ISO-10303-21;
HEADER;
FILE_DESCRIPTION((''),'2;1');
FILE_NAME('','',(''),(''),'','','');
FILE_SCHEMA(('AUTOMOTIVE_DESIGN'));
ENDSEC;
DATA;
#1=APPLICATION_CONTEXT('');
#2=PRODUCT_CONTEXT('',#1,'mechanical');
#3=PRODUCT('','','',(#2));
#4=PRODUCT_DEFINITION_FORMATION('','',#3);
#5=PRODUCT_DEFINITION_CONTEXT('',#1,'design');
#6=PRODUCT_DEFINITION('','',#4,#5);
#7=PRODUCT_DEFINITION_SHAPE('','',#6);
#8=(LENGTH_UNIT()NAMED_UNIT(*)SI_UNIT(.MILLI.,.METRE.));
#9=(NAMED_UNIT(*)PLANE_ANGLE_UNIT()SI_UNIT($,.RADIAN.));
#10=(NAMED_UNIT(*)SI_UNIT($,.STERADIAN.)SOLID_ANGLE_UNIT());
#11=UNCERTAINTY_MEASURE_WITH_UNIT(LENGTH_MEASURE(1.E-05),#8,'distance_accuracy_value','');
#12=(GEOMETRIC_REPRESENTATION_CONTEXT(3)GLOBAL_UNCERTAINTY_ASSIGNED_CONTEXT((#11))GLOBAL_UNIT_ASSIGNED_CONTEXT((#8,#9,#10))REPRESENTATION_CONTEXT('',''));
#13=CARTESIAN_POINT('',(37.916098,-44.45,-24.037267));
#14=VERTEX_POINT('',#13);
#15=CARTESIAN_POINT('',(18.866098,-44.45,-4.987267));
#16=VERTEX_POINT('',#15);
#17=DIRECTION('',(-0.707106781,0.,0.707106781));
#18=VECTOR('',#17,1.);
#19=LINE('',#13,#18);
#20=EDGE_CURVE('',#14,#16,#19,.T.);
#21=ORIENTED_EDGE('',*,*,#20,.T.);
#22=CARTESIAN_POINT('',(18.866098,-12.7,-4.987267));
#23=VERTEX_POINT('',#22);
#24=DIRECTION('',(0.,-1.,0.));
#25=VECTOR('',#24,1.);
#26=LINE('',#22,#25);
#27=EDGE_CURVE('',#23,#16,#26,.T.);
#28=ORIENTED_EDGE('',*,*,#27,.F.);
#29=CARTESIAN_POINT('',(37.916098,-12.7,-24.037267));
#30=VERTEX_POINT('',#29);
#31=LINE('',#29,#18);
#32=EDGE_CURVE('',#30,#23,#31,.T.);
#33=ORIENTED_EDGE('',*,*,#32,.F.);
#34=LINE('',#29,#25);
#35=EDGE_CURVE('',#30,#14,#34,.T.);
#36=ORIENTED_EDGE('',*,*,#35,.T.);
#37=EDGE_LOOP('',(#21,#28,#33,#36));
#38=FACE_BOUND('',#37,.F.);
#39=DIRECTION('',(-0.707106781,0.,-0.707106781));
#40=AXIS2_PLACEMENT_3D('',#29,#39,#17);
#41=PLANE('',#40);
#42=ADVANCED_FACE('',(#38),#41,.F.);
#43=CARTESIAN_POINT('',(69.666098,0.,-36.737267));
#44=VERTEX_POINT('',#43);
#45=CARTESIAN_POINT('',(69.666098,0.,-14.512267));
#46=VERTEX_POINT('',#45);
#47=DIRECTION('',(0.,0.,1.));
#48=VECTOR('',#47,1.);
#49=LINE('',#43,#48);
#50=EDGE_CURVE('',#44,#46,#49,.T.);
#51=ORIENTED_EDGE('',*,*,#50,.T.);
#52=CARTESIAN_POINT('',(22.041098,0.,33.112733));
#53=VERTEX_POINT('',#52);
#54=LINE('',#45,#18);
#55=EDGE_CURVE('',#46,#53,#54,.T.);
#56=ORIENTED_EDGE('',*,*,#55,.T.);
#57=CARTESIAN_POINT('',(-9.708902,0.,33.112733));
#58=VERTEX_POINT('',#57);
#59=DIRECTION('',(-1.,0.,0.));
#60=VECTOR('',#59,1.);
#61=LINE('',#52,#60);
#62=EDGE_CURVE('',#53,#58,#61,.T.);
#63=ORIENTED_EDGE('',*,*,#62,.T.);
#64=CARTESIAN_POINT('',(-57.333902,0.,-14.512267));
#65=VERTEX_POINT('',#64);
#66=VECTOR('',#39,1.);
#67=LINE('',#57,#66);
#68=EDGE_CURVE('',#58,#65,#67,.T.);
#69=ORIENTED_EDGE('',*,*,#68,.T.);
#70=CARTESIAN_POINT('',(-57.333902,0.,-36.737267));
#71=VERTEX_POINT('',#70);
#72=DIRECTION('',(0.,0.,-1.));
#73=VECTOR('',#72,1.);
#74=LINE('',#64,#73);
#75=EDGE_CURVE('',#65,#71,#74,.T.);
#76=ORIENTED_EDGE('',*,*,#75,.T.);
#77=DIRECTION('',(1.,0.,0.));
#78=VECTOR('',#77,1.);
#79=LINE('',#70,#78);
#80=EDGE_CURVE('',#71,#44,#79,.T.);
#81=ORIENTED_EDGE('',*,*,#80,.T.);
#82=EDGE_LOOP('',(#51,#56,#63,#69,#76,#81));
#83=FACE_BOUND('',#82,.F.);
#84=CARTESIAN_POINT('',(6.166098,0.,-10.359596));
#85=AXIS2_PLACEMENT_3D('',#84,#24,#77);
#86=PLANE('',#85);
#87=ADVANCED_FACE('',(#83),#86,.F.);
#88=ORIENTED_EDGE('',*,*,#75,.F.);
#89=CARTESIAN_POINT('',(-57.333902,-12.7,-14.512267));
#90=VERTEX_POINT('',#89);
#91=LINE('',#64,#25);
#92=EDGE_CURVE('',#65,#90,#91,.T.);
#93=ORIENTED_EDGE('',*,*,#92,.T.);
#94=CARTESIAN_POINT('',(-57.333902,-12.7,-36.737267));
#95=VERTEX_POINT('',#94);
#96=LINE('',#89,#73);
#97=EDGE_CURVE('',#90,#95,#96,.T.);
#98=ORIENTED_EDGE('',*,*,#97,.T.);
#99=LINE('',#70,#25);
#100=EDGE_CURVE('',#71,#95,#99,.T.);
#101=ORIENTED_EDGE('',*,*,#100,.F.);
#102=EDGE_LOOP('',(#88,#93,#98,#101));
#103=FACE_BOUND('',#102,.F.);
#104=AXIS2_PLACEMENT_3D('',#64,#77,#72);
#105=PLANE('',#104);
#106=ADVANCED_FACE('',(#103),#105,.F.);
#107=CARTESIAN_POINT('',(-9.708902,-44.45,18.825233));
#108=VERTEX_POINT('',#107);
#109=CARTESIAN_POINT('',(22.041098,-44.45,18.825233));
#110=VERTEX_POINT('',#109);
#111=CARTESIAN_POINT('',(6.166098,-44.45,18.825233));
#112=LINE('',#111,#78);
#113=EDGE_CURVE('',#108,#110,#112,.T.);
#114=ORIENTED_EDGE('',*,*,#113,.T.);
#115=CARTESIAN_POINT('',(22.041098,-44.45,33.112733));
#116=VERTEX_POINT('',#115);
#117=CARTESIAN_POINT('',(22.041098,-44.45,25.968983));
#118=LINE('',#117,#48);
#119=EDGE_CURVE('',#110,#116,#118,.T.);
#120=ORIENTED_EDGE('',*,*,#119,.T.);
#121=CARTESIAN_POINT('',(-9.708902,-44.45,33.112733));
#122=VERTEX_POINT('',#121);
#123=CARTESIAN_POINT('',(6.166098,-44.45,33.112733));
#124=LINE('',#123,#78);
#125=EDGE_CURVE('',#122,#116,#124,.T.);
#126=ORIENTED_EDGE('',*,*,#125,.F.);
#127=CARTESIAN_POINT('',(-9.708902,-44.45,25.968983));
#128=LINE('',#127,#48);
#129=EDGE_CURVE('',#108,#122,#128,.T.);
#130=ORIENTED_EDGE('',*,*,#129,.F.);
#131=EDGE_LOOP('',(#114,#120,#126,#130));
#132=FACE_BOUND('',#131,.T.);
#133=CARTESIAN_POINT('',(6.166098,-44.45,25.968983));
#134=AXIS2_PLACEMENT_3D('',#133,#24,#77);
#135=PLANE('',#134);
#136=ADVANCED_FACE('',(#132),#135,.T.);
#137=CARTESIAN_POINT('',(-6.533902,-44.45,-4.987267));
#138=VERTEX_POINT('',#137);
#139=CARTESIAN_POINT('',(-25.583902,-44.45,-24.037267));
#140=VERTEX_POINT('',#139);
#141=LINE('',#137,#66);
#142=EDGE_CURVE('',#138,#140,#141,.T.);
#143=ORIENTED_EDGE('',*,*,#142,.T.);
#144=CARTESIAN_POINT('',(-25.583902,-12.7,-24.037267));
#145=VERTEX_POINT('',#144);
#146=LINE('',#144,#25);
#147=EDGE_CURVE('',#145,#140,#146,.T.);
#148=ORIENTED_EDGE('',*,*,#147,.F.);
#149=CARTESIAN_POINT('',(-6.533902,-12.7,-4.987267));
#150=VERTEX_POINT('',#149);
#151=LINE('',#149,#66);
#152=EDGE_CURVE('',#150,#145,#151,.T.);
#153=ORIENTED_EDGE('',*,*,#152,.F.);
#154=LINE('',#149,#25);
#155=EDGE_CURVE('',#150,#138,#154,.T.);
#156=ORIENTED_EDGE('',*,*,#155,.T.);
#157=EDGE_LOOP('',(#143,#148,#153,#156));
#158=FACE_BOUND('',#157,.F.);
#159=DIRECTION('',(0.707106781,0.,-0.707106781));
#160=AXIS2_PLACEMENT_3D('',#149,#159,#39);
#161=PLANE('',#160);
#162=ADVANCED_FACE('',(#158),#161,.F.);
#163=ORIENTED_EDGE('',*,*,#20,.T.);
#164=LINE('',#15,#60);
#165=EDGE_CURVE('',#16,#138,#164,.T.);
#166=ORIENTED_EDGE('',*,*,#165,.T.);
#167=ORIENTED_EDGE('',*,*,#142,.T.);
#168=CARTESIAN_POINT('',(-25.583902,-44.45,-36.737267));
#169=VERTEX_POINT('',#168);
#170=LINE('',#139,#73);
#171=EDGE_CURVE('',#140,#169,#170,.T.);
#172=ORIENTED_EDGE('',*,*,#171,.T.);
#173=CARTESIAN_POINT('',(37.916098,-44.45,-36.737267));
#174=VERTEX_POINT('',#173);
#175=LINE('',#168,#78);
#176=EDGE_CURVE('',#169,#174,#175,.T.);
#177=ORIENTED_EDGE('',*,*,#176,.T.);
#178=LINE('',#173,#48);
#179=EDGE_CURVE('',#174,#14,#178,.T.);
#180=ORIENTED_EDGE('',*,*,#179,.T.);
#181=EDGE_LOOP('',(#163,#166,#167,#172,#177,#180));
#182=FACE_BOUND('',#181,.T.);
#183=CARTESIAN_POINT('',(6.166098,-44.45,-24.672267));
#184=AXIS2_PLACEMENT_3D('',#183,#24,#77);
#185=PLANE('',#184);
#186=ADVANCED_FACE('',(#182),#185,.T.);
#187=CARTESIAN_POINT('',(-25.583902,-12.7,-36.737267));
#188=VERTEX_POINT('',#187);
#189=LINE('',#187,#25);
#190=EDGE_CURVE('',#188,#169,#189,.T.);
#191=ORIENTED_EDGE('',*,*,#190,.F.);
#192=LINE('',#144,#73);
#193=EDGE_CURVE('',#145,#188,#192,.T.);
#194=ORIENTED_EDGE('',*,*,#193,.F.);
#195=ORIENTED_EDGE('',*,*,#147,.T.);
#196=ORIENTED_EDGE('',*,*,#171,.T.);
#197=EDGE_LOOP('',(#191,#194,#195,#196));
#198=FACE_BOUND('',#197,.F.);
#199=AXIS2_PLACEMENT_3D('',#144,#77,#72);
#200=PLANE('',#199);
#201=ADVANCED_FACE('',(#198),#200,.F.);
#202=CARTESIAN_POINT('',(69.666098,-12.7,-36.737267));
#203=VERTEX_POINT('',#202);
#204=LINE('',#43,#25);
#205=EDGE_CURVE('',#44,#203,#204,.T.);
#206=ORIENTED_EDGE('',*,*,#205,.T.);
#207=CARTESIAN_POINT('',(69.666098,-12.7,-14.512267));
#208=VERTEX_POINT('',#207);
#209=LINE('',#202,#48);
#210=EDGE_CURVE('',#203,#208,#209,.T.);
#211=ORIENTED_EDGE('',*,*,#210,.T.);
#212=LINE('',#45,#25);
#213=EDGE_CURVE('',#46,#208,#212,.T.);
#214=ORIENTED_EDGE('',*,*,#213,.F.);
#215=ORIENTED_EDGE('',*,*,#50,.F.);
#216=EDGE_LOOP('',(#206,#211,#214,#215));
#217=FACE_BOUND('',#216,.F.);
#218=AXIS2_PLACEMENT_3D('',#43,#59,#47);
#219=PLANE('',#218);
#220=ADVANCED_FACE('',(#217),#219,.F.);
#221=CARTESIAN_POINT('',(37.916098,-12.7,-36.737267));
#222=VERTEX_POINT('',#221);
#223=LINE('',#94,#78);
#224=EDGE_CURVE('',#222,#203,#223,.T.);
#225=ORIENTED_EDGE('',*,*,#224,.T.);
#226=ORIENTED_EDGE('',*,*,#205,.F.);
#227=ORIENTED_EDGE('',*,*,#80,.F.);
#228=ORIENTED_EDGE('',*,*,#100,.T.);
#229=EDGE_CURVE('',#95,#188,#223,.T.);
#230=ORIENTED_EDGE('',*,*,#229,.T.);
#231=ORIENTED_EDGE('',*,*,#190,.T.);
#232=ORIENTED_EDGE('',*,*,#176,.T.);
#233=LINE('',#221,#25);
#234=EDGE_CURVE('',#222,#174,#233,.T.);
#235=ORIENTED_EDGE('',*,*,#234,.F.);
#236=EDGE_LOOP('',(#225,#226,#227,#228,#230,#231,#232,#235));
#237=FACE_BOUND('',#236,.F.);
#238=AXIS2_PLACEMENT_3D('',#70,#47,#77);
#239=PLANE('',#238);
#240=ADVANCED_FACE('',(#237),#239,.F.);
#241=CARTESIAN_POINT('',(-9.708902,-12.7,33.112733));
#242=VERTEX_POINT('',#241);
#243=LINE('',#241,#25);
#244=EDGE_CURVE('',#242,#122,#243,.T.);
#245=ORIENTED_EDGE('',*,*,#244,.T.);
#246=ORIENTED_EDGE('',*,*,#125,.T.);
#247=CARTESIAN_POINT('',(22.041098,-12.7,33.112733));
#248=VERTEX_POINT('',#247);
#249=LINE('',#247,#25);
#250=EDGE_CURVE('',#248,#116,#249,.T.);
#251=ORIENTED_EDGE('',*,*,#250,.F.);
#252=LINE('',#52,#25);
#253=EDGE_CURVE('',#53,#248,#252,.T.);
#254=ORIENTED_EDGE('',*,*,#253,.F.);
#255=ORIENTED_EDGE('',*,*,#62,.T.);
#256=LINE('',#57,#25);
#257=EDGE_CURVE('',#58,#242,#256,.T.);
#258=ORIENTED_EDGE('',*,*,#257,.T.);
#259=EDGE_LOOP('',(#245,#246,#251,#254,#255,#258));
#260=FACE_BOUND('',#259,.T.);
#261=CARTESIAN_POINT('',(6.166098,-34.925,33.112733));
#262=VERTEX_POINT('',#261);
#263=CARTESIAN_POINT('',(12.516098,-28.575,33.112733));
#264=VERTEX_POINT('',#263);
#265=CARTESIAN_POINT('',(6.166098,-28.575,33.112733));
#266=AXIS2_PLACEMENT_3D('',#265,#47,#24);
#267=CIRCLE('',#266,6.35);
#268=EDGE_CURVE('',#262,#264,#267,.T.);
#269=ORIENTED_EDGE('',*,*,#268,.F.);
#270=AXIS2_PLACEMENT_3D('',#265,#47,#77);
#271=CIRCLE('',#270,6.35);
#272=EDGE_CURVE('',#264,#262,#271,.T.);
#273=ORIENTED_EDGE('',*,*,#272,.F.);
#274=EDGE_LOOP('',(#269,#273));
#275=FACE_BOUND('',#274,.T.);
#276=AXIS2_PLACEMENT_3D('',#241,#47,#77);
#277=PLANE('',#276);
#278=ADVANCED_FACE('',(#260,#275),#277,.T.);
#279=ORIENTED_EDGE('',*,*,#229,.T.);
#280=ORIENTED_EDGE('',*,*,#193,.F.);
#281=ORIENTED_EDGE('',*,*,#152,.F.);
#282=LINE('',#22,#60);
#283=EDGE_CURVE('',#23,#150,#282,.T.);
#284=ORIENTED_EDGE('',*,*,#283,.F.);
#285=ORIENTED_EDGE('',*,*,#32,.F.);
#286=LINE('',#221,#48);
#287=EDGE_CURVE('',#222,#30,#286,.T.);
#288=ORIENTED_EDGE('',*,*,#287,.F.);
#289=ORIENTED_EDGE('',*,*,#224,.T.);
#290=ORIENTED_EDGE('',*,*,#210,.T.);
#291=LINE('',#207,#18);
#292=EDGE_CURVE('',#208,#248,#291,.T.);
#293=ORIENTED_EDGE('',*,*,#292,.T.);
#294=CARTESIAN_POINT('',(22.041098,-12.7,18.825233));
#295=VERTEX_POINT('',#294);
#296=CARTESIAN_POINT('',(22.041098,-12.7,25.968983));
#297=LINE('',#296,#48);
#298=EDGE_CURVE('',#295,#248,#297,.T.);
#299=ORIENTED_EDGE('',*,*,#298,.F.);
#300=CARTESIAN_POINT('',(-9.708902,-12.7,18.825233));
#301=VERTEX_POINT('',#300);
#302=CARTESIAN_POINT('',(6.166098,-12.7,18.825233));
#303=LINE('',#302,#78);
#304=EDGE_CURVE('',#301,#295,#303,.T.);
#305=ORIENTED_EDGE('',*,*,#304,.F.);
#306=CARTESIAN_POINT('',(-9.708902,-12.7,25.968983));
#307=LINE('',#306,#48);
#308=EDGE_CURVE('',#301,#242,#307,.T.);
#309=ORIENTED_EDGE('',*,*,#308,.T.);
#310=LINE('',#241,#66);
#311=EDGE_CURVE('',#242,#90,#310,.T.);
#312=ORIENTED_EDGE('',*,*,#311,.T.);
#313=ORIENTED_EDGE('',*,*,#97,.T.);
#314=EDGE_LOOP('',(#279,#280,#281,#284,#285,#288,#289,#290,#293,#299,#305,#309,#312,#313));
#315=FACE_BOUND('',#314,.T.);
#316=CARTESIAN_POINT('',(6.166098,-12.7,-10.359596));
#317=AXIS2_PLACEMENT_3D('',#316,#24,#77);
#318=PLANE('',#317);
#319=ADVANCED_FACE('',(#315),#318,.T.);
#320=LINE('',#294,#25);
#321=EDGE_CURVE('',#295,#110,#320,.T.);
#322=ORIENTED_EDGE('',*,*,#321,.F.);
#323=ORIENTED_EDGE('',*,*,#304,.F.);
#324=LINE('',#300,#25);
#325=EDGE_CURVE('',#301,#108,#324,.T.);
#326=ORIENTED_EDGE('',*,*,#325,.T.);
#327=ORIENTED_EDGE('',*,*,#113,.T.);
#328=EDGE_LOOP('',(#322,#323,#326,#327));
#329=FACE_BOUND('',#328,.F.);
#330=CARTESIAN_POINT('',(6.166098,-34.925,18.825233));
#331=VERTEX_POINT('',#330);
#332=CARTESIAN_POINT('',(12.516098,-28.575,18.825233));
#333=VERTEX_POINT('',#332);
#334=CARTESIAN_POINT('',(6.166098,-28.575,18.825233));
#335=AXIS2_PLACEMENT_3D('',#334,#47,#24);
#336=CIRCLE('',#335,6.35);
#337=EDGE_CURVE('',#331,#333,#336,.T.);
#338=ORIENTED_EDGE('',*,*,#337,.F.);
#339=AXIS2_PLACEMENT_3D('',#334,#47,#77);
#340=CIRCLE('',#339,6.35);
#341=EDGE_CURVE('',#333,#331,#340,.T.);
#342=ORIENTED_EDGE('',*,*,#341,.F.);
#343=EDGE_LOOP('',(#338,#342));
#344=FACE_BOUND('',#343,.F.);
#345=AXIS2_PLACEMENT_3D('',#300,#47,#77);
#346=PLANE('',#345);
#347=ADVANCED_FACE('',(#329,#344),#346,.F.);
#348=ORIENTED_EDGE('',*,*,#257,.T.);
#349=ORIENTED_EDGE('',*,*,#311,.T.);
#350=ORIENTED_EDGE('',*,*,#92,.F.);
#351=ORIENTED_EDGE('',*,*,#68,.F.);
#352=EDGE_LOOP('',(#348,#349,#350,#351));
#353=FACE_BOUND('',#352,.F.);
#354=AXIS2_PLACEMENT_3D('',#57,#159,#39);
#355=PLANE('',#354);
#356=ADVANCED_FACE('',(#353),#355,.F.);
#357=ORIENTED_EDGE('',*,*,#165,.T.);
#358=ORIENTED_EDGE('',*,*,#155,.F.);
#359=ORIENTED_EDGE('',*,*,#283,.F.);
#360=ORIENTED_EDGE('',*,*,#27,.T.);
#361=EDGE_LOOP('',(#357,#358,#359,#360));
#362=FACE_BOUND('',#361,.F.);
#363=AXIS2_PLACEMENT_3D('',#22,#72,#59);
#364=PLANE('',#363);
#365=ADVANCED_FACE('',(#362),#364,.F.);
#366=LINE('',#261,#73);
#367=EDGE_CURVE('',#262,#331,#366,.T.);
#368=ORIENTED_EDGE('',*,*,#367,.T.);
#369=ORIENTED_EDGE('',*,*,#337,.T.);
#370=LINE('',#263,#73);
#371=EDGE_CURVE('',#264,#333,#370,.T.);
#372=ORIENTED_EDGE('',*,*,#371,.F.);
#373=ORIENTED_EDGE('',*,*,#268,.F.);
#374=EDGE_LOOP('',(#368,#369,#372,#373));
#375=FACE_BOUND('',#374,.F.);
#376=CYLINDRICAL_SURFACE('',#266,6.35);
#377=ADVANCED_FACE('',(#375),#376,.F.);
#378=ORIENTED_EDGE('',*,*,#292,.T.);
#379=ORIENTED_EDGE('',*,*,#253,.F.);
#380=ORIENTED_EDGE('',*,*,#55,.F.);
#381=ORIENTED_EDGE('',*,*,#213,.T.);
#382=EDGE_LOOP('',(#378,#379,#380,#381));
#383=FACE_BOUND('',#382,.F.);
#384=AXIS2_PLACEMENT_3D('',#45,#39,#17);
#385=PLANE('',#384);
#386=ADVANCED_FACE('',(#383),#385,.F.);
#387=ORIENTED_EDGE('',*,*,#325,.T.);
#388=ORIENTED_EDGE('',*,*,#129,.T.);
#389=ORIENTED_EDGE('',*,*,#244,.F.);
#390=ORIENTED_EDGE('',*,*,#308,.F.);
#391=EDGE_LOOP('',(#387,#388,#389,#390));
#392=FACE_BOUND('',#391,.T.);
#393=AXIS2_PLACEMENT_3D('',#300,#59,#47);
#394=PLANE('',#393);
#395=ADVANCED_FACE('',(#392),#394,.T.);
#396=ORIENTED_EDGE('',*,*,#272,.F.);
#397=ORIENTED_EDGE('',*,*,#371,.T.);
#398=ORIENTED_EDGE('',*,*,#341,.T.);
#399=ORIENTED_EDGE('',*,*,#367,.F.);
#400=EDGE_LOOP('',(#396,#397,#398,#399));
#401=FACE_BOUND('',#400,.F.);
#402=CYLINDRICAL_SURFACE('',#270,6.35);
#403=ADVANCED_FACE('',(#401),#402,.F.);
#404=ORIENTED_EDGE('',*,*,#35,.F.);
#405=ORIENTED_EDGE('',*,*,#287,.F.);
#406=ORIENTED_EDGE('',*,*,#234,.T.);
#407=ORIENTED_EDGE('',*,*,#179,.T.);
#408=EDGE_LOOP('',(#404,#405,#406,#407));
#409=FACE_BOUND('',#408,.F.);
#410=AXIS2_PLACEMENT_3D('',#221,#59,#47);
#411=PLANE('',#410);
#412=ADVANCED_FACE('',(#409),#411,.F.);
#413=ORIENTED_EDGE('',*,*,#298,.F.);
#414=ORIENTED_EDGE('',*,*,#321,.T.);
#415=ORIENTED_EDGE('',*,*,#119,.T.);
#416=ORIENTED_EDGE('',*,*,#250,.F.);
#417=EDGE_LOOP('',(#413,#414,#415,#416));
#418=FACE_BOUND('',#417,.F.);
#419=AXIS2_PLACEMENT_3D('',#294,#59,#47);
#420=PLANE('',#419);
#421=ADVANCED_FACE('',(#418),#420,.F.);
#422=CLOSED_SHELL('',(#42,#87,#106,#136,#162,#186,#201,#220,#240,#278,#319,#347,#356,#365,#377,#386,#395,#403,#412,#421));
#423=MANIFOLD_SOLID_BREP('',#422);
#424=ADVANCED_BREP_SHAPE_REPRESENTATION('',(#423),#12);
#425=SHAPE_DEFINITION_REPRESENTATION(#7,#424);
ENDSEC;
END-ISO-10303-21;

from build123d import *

# Parameters (mm, degrees)
F1_DEPTH = 12.7
F3_DEPTH = 31.75
F4_W     = 31.75
F4_H     = 14.2875
F5_DEPTH = 31.75
F7_DEPTH = 25.4


with BuildPart() as f1:
    # F0 (on Front) → F1 (new body)
    with BuildSketch(Plane.XZ):
        Polygon((-57.3339015245, -14.512266928), (-57.3339015245, -36.737266928), (69.6660984755, -36.737266928), (69.6660984755, -14.512266928), (22.0410984755, 33.112733072), (-9.7089015245, 33.112733072), align=None)
    extrude(amount=F1_DEPTH)

    # F2 (on face) → F3 (join)
    with BuildSketch(Plane.XZ.offset(12.7)):
        Polygon((-25.5839015245, -36.737266928), (37.9160984755, -36.737266928), (37.9160984755, -24.037266928), (18.8660984755, -24.037266928), (18.8660984755, -4.987266928), (-6.5339015245, -4.987266928), (-6.5339015245, -24.037266928), (-25.5839015245, -24.037266928), align=None)
        Polygon((18.8660984755, -24.037266928), (37.9160984755, -24.037266928), (18.8660984755, -4.987266928), align=None)
        Polygon((-6.5339015245, -4.987266928), (-25.5839015245, -24.037266928), (-6.5339015245, -24.037266928), align=None)
    extrude(amount=F3_DEPTH)

    # F4 (on face) → F5 (join)
    with BuildSketch(Plane.XZ.offset(12.7)):
        with Locations((6.1660984755, 25.968983072)):
            Rectangle(F4_W, F4_H)
    extrude(amount=F5_DEPTH)

    # F6 (on face) → F7 (cut)
    with BuildSketch(Plane.XY.offset(33.112733072)):
        with BuildLine():
            ThreePointArc((6.1660984755, -34.925), (10.656226536, -33.0651280605), (12.5160984755, -28.575))
            ThreePointArc((12.5160984755, -28.575), (1.6759704149, -24.0848719395), (6.1660984755, -34.925))
        make_face()
    extrude(amount=-F7_DEPTH, mode=Mode.SUBTRACT)


solid = f1.part
